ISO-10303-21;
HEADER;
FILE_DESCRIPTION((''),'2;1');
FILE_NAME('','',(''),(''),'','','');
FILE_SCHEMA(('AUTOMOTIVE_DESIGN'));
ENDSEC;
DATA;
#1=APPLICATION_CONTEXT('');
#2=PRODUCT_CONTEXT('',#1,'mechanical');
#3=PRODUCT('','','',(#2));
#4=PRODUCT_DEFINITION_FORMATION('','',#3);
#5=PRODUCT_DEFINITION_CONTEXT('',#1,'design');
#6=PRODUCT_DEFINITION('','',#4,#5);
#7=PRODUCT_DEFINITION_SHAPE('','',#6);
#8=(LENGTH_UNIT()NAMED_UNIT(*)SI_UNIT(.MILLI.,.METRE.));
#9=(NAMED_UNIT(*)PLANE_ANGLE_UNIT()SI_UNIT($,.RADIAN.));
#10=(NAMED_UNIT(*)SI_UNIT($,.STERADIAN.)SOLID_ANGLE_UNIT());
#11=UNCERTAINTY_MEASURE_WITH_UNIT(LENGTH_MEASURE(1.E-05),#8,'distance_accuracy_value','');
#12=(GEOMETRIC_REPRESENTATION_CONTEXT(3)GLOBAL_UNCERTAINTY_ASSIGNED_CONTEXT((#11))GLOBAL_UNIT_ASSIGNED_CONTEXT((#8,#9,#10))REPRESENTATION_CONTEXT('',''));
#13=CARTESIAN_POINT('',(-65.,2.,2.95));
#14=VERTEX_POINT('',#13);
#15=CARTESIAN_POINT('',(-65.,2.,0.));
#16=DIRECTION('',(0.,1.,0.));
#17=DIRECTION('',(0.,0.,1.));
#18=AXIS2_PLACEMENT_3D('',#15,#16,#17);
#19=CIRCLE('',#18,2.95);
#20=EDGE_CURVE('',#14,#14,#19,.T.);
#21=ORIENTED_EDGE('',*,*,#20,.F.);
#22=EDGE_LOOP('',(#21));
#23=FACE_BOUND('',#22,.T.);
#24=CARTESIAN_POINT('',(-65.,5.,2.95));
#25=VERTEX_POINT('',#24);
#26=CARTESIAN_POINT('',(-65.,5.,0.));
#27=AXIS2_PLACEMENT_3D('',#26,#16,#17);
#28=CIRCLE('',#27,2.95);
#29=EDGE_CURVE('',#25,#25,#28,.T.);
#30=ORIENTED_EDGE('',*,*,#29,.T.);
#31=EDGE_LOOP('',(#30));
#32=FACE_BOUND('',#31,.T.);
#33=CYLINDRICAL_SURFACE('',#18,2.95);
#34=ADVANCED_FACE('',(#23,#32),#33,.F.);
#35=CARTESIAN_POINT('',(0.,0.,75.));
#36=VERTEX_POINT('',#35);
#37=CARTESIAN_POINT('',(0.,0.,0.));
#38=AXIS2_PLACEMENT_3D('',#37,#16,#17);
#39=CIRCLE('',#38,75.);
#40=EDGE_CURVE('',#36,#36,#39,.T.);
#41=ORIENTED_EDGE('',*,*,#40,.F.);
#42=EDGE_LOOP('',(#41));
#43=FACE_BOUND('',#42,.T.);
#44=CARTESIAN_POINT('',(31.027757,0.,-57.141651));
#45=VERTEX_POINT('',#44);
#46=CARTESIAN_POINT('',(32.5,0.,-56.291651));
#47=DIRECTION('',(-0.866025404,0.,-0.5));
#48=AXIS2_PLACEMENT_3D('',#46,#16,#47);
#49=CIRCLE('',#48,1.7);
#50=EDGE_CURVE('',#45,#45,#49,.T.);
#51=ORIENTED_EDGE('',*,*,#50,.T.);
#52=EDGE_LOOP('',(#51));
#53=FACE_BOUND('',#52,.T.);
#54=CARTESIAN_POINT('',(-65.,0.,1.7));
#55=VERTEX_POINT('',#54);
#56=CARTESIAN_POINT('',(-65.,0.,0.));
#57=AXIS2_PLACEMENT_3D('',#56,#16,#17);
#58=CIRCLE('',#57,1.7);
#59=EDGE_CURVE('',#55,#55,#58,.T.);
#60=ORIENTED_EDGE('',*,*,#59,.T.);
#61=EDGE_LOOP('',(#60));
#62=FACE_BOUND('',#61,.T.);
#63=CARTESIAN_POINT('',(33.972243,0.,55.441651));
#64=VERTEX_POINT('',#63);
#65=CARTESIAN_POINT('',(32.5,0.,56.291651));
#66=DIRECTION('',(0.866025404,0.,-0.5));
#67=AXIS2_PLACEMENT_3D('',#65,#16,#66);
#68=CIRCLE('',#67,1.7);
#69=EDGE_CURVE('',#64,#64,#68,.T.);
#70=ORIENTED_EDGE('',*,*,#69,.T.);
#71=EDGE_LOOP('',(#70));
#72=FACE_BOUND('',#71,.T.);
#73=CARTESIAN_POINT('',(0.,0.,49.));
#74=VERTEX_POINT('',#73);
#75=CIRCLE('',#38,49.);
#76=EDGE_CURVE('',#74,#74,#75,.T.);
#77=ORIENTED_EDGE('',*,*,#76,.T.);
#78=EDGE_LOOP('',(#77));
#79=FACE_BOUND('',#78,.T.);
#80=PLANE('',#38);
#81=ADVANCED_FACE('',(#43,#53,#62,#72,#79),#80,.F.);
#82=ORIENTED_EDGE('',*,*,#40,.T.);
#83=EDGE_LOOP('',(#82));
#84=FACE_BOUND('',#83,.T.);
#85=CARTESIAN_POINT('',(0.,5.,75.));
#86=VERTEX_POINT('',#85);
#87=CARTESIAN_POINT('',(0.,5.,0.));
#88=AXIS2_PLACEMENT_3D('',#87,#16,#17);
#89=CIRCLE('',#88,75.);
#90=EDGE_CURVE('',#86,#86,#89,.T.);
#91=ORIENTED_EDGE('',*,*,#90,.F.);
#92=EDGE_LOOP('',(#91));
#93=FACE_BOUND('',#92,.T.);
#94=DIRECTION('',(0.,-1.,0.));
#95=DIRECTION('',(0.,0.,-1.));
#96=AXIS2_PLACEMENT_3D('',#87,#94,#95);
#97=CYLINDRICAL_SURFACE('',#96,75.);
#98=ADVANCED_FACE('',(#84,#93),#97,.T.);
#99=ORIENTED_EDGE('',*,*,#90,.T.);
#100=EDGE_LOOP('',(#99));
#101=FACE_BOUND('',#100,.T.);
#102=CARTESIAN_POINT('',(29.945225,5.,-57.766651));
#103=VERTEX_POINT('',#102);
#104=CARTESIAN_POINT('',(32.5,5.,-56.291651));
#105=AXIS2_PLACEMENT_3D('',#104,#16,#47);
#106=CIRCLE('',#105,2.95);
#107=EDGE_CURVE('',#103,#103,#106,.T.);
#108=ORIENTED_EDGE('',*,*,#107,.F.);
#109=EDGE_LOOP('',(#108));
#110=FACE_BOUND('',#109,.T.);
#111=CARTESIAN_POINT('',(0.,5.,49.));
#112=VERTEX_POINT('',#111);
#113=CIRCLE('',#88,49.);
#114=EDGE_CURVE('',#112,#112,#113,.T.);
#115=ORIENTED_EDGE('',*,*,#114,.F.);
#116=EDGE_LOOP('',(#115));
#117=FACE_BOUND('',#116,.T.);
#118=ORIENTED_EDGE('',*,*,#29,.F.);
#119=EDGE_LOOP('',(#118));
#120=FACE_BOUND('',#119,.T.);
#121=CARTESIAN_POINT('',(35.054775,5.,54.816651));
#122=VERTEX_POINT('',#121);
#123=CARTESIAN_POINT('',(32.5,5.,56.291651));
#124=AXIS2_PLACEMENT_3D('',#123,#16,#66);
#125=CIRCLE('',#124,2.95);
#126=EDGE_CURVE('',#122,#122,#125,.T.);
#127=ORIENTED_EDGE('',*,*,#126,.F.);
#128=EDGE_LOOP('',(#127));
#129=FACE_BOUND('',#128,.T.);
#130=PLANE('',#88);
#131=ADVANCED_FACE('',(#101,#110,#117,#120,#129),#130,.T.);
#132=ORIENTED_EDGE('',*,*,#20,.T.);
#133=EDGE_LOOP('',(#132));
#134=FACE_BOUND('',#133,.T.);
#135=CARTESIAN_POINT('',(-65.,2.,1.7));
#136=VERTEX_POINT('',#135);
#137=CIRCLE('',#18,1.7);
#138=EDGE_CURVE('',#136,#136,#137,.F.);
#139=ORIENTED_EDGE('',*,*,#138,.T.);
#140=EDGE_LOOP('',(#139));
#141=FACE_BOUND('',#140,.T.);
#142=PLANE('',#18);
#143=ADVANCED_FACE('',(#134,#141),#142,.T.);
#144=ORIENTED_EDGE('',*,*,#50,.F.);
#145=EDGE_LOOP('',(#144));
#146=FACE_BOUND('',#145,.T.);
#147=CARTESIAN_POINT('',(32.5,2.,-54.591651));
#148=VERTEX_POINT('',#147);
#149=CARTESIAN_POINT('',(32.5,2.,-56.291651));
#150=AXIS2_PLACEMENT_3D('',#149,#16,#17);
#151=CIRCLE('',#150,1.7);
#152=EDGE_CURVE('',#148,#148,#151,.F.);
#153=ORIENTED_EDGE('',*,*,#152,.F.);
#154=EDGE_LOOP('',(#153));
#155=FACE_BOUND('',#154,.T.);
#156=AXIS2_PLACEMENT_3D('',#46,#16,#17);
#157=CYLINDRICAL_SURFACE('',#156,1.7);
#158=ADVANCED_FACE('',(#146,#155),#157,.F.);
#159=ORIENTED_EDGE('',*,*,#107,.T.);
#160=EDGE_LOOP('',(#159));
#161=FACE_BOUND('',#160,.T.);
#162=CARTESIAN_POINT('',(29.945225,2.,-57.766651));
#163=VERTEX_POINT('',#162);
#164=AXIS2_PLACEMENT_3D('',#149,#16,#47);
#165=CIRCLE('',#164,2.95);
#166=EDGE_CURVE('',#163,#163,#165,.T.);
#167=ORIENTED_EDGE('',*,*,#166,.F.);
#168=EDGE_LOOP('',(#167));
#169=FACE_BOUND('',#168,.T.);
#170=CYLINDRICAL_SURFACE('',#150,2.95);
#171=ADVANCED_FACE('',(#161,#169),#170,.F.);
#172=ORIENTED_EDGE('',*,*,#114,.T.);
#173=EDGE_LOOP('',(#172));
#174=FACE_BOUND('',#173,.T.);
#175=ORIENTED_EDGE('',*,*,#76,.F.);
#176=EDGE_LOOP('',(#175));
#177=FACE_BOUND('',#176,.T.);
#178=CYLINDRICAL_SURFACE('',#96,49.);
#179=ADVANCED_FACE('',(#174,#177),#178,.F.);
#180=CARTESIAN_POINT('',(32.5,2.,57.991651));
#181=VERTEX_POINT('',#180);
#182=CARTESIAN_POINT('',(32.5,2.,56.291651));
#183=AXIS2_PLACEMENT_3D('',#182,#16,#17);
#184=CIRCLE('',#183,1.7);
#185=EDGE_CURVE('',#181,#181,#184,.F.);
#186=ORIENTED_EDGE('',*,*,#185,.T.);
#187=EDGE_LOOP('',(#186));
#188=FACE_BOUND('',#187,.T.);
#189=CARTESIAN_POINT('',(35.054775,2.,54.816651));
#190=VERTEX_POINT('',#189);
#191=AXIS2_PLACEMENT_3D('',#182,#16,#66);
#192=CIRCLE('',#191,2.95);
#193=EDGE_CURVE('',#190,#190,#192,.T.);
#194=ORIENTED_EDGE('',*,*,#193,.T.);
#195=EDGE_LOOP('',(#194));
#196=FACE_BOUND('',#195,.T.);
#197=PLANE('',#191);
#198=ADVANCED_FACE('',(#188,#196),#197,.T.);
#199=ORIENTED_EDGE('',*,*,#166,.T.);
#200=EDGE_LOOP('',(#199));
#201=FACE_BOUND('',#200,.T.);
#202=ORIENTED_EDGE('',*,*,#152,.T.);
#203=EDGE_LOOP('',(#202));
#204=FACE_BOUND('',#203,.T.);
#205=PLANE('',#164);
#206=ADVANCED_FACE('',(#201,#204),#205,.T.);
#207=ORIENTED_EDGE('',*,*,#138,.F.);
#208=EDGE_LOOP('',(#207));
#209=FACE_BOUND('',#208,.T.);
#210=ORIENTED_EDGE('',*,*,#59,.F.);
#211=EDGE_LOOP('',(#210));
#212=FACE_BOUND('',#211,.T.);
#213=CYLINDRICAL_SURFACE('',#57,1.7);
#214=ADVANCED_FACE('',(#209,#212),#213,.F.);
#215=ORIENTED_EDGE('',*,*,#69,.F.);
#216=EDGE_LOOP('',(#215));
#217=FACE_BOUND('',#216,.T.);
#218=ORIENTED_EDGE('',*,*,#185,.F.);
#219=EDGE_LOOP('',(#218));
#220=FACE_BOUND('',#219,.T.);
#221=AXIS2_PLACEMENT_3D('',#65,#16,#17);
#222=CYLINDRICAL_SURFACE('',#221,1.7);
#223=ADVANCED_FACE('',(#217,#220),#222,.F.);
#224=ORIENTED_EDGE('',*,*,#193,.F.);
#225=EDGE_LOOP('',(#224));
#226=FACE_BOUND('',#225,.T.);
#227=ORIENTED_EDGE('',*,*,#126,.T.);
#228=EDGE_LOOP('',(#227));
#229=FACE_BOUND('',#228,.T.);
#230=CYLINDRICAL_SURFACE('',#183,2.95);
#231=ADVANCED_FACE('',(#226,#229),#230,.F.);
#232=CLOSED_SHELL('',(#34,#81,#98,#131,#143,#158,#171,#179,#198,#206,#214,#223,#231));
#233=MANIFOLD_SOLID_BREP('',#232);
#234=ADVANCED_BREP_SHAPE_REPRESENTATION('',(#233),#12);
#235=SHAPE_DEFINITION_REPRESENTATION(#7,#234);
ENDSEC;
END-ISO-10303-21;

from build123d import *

# Parameters (mm, degrees)
CROQUIS1_R              = 75
CROQUIS1_R_2            = 49
SALIENTE_EXTRUIR1_DEPTH = 5
CROQUIS2_R              = 1.7
CORTAR_EXTRUIR1_DEPTH   = 5
CROQUIS3_R              = 2.95
CORTAR_EXTRUIR2_DEPTH   = 3
MATRIZC1_COUNT          = 3


with BuildPart() as part:
    # Croquis1 → Saliente-Extruir1 (new body)
    with BuildSketch(Plane(origin=(0, 0, 0), x_dir=(1, 0, 0), z_dir=(0, 1, 0))):
        Circle(CROQUIS1_R)
        Circle(CROQUIS1_R_2, mode=Mode.SUBTRACT)
    extrude(amount=SALIENTE_EXTRUIR1_DEPTH)

    # Croquis2 → Cortar-Extruir1 (cut)
    with BuildSketch(Plane(origin=(0, 5, 0), x_dir=(1, 0, 0), z_dir=(0, 1, 0))):
        with Locations((-65, 0)):
            Circle(CROQUIS2_R)
    cortar_extruir1 = extrude(amount=-CORTAR_EXTRUIR1_DEPTH, mode=Mode.SUBTRACT)

    # Croquis3 → Cortar-Extruir2 (cut)
    with BuildSketch(Plane(origin=(0, 5, 0), x_dir=(1, 0, 0), z_dir=(0, 1, 0))):
        with Locations((-65, 0)):
            Circle(CROQUIS3_R)
    cortar_extruir2 = extrude(amount=-CORTAR_EXTRUIR2_DEPTH, mode=Mode.SUBTRACT)

    # MatrizC1: Cortar-Extruir1, Cortar-Extruir2 ×3 about axis
    matrizc1_axis = Axis((0, 0, 0), (0, 1, 0))
    for i in range(1, MATRIZC1_COUNT):
        add(cortar_extruir1.rotate(matrizc1_axis, i * 360 / MATRIZC1_COUNT), mode=Mode.SUBTRACT)
        add(cortar_extruir2.rotate(matrizc1_axis, i * 360 / MATRIZC1_COUNT), mode=Mode.SUBTRACT)


solid = part.part
